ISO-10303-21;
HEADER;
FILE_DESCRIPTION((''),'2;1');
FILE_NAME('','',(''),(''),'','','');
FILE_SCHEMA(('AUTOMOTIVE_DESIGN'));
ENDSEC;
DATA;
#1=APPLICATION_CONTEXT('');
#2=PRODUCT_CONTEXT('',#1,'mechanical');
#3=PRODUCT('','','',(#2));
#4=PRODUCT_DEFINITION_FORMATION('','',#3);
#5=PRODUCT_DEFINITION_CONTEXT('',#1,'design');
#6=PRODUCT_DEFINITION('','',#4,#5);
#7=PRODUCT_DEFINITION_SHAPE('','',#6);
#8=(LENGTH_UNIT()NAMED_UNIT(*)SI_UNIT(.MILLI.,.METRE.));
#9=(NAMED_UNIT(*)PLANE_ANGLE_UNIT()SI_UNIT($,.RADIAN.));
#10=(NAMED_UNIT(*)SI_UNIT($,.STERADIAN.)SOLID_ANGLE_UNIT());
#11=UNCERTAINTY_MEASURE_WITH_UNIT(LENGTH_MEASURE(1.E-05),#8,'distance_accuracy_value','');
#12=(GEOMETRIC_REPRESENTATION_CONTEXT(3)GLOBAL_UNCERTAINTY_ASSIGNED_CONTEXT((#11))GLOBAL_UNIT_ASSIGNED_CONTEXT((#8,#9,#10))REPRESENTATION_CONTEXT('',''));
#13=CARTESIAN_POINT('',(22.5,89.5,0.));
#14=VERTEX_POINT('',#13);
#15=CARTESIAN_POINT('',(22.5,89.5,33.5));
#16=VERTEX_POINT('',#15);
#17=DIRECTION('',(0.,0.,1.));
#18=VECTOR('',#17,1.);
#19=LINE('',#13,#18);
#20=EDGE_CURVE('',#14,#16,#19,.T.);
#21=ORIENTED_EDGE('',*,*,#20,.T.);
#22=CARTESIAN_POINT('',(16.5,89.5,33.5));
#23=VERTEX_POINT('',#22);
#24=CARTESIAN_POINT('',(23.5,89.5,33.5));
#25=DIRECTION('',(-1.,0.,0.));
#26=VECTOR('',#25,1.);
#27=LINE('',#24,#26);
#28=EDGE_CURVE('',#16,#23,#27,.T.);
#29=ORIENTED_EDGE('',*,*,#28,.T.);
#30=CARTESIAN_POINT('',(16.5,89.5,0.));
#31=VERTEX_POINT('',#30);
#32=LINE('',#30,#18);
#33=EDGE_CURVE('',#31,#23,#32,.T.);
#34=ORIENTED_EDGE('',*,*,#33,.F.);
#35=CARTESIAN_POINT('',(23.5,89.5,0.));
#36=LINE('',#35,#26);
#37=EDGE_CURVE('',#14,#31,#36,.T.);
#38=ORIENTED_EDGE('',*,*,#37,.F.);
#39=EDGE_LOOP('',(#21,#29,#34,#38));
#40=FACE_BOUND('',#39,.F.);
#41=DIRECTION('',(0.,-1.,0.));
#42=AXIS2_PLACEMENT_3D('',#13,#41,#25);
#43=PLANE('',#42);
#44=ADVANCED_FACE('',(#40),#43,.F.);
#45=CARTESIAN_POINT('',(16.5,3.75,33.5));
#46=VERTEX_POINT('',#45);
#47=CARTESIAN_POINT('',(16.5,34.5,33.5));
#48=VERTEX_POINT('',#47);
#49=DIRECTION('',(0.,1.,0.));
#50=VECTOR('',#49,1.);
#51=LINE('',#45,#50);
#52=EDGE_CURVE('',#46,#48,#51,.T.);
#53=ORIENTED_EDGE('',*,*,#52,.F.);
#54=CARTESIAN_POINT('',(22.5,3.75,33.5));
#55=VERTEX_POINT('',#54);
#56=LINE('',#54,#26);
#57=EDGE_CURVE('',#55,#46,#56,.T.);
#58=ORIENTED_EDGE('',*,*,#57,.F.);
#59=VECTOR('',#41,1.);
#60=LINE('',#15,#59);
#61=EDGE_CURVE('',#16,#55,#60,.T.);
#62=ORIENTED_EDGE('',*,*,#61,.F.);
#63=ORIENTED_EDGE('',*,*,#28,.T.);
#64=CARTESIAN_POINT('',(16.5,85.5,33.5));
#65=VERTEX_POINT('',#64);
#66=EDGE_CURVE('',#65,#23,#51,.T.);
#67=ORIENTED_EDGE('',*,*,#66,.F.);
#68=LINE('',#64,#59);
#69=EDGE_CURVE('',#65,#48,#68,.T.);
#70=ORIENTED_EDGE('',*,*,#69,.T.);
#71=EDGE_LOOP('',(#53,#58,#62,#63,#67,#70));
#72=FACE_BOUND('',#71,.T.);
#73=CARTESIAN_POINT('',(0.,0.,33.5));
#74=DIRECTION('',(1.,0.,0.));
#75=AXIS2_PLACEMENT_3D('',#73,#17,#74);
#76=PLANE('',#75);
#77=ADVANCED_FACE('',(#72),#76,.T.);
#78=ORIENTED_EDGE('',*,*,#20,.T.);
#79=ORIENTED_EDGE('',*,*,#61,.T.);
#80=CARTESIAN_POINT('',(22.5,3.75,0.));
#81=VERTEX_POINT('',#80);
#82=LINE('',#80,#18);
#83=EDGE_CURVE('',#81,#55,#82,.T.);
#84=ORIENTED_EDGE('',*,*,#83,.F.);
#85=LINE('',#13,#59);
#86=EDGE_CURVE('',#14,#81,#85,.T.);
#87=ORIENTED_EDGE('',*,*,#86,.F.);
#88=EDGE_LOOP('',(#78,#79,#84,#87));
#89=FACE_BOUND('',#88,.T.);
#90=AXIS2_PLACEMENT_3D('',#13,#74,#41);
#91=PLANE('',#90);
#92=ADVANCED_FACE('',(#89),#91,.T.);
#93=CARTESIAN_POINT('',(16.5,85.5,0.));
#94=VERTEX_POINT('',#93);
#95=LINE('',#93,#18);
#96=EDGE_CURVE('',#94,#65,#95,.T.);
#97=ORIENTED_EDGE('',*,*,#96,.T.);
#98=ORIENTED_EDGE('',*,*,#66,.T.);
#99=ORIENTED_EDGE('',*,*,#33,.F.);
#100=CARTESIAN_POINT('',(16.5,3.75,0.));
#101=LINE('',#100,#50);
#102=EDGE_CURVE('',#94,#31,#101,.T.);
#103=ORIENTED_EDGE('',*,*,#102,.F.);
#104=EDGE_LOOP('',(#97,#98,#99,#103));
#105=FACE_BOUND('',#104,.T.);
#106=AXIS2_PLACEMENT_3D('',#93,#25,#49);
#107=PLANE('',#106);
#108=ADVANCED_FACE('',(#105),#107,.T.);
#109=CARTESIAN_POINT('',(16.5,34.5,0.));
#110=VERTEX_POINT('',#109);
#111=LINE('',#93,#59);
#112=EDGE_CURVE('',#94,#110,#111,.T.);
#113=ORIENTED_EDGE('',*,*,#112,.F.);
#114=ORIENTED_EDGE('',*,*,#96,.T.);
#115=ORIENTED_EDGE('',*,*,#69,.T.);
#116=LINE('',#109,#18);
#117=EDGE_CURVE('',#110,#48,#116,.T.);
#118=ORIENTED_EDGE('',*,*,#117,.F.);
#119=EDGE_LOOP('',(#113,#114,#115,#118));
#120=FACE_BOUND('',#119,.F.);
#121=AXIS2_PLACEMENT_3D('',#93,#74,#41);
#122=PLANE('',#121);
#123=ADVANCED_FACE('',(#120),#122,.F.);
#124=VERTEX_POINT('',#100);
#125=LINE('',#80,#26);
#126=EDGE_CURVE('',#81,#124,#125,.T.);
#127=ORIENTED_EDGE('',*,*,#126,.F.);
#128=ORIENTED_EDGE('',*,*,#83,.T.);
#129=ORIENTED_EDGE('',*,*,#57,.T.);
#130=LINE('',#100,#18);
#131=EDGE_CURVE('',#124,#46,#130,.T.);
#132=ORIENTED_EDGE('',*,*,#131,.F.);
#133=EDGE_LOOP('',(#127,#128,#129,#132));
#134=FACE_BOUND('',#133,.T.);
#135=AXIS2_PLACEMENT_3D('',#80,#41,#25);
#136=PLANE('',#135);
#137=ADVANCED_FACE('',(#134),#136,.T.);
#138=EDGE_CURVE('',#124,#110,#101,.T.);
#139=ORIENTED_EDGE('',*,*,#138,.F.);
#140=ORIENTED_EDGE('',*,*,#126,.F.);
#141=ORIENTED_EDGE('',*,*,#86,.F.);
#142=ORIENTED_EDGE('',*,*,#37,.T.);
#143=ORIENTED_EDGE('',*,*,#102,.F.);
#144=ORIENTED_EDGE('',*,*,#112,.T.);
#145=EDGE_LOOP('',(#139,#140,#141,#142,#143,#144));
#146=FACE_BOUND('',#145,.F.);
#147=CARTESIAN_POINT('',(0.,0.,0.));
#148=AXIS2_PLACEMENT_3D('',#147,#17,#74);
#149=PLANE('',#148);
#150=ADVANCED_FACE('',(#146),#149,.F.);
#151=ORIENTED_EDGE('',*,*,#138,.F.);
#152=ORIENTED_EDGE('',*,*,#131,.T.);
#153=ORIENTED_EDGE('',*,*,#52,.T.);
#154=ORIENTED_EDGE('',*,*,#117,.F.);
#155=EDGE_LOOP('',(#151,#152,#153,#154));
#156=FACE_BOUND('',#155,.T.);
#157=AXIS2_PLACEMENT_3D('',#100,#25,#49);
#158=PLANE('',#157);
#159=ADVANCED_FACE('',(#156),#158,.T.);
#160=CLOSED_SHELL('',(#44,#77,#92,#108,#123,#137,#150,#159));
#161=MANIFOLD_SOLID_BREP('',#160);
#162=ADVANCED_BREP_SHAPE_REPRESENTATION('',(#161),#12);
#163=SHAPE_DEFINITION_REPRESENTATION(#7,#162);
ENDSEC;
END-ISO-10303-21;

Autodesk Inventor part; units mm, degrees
ref_plane "YZ Plane" through (0, 0, 0) normal (1, 0, 0) x (0, 1, 0)
ref_plane "XZ Plane" through (0, 0, 0) normal (0, 1, 0) x (-1, 0, 0)
ref_plane "Work Plane1" through (0, 0, 0) normal (0, 0, 1) x (1, 0, 0)
sketch "Sketch1" plane through (0, 0, 0) normal (0, 0, 1) x (1, 0, 0)
  line L0 (23.5, 89.5) -> (-23.5, 89.5) projected
  line L1 (-23.5, 89.5) -> (-23.5, 34.5) projected
  line L2 (-23.5, 34.5) -> (-89, 34.5) projected
  line L3 (-89, 34.5) -> (-89, -69.5) projected
  line L4 (-89, -69.5) -> (-74, -69.5) projected
  line L5 (-74, -69.5) -> (-74, -89.5) projected
  line L6 (-74, -89.5) -> (74, -89.5) projected
  line L7 (74, -89.5) -> (74, -69.5) projected
  line L8 (74, -69.5) -> (89, -69.5) projected
  line L9 (89, -69.5) -> (89, 34.5) projected
  line L10 (89, 34.5) -> (23.5, 34.5) projected
  line L11 (23.5, 34.5) -> (23.5, 89.5) projected
  line L12 (-4.5, 85.5) -> (-4.5, 34.5) projected
  line L13 (-4.5, 34.5) -> (-16.5, 34.5) projected
  line L14 (-16.5, 34.5) -> (-16.5, 85.5) projected
  line L15 (-16.5, 85.5) -> (-4.5, 85.5) projected
  line L16 (16.5, 85.5) -> (16.5, 34.5) projected
  line L17 (16.5, 34.5) -> (4.5, 34.5) projected
  line L18 (4.5, 34.5) -> (4.5, 85.5) projected
  line L19 (4.5, 85.5) -> (16.5, 85.5) projected
  line L20 (16.5, 89.5) -> (22.5, 89.5)
  line L21 (22.5, 89.5) -> (22.5, 3.75)
  line L22 (22.5, 3.75) -> (16.5, 3.75)
  line L23 (16.5, 3.75) -> (16.5, 89.5)
  line L24 (59.9, 4.75) -> (32.2, 4.75)
  point P0 (0, 0)
  dimension "d0" = 1
  dimension "d1" = 1
ref_plane "Work Plane2" through (-89, -40.3889, 33.5) normal (0, 0, 1) x (1, 0, 0)
extrude "Extrusion1" add sketch "Sketch1" along normal up to surface (33.5 mm away) contours L21 L22 L23 L16 L0
properties part number "left_gear_holder"
